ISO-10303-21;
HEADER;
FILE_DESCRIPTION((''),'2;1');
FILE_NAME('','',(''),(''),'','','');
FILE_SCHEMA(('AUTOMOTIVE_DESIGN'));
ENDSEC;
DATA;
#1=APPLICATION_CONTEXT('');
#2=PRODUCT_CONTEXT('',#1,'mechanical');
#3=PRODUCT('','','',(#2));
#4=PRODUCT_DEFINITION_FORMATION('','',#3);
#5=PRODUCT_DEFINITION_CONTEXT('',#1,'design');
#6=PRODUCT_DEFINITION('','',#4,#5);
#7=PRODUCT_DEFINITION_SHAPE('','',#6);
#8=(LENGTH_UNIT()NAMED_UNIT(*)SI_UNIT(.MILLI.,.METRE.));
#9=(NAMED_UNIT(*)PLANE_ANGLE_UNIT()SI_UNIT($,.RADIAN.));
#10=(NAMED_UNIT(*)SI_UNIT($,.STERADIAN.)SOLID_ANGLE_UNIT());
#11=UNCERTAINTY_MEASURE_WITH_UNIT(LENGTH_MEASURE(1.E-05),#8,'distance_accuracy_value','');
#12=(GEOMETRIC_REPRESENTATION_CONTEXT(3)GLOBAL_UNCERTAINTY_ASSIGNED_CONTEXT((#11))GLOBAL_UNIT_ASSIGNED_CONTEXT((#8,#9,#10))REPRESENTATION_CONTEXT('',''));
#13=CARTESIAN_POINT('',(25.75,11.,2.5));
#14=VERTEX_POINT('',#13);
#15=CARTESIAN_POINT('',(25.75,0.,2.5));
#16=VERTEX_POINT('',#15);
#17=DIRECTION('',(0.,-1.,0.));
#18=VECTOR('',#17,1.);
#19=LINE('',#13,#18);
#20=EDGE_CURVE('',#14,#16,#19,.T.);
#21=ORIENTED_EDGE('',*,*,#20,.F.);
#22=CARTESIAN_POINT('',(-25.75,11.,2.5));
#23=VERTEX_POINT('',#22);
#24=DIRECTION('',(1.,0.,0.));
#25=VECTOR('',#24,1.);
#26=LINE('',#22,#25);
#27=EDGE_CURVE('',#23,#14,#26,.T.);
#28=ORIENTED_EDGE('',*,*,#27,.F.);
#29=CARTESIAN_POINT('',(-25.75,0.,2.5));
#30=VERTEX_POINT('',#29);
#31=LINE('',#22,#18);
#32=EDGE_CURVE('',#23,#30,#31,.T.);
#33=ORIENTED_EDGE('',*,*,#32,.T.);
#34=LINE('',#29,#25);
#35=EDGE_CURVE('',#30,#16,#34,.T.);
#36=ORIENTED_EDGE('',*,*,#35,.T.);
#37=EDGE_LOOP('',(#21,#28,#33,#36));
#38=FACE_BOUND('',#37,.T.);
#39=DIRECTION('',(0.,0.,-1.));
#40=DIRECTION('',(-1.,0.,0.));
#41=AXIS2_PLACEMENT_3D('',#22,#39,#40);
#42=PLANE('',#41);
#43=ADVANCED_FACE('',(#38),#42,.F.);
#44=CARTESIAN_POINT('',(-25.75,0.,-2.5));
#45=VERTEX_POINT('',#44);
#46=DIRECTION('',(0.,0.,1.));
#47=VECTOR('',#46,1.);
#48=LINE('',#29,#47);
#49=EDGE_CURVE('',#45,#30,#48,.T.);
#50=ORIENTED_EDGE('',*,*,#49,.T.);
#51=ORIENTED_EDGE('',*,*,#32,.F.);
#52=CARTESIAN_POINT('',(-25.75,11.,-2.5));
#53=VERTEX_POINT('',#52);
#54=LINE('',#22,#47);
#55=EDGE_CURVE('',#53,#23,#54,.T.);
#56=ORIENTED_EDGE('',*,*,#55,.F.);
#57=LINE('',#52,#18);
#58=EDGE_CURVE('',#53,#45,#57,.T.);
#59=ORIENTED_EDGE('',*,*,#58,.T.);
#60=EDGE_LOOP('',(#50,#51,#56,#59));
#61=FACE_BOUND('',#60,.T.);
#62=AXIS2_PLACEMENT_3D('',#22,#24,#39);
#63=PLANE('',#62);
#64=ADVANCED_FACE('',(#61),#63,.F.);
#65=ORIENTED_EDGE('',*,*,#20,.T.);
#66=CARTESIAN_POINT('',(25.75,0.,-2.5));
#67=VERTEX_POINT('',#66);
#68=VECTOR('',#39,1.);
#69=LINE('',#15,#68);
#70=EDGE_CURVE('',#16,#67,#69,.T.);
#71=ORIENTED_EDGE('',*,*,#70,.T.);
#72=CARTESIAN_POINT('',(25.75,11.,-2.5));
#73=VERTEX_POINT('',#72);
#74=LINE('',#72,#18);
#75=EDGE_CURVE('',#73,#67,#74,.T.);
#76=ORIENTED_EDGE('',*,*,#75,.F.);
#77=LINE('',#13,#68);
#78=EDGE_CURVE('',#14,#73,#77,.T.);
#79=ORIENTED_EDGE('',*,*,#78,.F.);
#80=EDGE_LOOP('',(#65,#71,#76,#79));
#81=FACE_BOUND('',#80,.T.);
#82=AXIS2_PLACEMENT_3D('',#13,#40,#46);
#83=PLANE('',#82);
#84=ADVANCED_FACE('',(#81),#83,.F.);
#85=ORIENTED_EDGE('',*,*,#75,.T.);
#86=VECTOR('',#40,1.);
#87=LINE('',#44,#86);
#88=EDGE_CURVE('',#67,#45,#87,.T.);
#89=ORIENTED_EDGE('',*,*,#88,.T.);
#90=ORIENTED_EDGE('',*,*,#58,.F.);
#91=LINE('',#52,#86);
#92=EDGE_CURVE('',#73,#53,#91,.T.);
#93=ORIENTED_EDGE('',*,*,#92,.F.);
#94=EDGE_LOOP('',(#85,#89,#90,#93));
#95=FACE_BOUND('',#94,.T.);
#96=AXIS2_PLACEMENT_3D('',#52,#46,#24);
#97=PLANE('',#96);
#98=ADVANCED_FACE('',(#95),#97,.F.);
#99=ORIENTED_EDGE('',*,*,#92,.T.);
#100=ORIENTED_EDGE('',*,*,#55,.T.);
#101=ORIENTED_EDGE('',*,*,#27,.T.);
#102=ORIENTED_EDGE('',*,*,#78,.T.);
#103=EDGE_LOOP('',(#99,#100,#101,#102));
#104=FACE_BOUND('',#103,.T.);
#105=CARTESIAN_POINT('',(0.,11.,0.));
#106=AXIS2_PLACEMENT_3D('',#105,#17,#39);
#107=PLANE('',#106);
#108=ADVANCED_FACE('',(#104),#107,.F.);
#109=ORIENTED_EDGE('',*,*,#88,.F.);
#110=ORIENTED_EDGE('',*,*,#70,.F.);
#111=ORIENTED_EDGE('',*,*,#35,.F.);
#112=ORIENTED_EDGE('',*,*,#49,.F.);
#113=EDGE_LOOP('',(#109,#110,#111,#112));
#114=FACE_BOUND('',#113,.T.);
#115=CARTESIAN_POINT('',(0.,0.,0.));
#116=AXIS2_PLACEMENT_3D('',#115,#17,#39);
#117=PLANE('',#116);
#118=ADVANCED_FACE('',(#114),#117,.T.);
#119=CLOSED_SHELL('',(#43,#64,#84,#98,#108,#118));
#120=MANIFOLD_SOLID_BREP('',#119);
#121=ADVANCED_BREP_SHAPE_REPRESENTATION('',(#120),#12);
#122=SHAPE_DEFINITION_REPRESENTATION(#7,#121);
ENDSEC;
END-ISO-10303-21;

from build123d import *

# Parameters (mm, degrees)
SKETCH_1_W      = 51.5
SKETCH_1_H      = 5
EXTRUDE_1_DEPTH = 11


with BuildPart() as part:
    # Эскиз1 → Бобышка-Вытянуть1 (new body)
    with BuildSketch(Plane(origin=(0, 0, 0), x_dir=(1, 0, 0), z_dir=(0, 1, 0))):
        Rectangle(SKETCH_1_W, SKETCH_1_H)
    extrude(amount=EXTRUDE_1_DEPTH)


solid = part.part
